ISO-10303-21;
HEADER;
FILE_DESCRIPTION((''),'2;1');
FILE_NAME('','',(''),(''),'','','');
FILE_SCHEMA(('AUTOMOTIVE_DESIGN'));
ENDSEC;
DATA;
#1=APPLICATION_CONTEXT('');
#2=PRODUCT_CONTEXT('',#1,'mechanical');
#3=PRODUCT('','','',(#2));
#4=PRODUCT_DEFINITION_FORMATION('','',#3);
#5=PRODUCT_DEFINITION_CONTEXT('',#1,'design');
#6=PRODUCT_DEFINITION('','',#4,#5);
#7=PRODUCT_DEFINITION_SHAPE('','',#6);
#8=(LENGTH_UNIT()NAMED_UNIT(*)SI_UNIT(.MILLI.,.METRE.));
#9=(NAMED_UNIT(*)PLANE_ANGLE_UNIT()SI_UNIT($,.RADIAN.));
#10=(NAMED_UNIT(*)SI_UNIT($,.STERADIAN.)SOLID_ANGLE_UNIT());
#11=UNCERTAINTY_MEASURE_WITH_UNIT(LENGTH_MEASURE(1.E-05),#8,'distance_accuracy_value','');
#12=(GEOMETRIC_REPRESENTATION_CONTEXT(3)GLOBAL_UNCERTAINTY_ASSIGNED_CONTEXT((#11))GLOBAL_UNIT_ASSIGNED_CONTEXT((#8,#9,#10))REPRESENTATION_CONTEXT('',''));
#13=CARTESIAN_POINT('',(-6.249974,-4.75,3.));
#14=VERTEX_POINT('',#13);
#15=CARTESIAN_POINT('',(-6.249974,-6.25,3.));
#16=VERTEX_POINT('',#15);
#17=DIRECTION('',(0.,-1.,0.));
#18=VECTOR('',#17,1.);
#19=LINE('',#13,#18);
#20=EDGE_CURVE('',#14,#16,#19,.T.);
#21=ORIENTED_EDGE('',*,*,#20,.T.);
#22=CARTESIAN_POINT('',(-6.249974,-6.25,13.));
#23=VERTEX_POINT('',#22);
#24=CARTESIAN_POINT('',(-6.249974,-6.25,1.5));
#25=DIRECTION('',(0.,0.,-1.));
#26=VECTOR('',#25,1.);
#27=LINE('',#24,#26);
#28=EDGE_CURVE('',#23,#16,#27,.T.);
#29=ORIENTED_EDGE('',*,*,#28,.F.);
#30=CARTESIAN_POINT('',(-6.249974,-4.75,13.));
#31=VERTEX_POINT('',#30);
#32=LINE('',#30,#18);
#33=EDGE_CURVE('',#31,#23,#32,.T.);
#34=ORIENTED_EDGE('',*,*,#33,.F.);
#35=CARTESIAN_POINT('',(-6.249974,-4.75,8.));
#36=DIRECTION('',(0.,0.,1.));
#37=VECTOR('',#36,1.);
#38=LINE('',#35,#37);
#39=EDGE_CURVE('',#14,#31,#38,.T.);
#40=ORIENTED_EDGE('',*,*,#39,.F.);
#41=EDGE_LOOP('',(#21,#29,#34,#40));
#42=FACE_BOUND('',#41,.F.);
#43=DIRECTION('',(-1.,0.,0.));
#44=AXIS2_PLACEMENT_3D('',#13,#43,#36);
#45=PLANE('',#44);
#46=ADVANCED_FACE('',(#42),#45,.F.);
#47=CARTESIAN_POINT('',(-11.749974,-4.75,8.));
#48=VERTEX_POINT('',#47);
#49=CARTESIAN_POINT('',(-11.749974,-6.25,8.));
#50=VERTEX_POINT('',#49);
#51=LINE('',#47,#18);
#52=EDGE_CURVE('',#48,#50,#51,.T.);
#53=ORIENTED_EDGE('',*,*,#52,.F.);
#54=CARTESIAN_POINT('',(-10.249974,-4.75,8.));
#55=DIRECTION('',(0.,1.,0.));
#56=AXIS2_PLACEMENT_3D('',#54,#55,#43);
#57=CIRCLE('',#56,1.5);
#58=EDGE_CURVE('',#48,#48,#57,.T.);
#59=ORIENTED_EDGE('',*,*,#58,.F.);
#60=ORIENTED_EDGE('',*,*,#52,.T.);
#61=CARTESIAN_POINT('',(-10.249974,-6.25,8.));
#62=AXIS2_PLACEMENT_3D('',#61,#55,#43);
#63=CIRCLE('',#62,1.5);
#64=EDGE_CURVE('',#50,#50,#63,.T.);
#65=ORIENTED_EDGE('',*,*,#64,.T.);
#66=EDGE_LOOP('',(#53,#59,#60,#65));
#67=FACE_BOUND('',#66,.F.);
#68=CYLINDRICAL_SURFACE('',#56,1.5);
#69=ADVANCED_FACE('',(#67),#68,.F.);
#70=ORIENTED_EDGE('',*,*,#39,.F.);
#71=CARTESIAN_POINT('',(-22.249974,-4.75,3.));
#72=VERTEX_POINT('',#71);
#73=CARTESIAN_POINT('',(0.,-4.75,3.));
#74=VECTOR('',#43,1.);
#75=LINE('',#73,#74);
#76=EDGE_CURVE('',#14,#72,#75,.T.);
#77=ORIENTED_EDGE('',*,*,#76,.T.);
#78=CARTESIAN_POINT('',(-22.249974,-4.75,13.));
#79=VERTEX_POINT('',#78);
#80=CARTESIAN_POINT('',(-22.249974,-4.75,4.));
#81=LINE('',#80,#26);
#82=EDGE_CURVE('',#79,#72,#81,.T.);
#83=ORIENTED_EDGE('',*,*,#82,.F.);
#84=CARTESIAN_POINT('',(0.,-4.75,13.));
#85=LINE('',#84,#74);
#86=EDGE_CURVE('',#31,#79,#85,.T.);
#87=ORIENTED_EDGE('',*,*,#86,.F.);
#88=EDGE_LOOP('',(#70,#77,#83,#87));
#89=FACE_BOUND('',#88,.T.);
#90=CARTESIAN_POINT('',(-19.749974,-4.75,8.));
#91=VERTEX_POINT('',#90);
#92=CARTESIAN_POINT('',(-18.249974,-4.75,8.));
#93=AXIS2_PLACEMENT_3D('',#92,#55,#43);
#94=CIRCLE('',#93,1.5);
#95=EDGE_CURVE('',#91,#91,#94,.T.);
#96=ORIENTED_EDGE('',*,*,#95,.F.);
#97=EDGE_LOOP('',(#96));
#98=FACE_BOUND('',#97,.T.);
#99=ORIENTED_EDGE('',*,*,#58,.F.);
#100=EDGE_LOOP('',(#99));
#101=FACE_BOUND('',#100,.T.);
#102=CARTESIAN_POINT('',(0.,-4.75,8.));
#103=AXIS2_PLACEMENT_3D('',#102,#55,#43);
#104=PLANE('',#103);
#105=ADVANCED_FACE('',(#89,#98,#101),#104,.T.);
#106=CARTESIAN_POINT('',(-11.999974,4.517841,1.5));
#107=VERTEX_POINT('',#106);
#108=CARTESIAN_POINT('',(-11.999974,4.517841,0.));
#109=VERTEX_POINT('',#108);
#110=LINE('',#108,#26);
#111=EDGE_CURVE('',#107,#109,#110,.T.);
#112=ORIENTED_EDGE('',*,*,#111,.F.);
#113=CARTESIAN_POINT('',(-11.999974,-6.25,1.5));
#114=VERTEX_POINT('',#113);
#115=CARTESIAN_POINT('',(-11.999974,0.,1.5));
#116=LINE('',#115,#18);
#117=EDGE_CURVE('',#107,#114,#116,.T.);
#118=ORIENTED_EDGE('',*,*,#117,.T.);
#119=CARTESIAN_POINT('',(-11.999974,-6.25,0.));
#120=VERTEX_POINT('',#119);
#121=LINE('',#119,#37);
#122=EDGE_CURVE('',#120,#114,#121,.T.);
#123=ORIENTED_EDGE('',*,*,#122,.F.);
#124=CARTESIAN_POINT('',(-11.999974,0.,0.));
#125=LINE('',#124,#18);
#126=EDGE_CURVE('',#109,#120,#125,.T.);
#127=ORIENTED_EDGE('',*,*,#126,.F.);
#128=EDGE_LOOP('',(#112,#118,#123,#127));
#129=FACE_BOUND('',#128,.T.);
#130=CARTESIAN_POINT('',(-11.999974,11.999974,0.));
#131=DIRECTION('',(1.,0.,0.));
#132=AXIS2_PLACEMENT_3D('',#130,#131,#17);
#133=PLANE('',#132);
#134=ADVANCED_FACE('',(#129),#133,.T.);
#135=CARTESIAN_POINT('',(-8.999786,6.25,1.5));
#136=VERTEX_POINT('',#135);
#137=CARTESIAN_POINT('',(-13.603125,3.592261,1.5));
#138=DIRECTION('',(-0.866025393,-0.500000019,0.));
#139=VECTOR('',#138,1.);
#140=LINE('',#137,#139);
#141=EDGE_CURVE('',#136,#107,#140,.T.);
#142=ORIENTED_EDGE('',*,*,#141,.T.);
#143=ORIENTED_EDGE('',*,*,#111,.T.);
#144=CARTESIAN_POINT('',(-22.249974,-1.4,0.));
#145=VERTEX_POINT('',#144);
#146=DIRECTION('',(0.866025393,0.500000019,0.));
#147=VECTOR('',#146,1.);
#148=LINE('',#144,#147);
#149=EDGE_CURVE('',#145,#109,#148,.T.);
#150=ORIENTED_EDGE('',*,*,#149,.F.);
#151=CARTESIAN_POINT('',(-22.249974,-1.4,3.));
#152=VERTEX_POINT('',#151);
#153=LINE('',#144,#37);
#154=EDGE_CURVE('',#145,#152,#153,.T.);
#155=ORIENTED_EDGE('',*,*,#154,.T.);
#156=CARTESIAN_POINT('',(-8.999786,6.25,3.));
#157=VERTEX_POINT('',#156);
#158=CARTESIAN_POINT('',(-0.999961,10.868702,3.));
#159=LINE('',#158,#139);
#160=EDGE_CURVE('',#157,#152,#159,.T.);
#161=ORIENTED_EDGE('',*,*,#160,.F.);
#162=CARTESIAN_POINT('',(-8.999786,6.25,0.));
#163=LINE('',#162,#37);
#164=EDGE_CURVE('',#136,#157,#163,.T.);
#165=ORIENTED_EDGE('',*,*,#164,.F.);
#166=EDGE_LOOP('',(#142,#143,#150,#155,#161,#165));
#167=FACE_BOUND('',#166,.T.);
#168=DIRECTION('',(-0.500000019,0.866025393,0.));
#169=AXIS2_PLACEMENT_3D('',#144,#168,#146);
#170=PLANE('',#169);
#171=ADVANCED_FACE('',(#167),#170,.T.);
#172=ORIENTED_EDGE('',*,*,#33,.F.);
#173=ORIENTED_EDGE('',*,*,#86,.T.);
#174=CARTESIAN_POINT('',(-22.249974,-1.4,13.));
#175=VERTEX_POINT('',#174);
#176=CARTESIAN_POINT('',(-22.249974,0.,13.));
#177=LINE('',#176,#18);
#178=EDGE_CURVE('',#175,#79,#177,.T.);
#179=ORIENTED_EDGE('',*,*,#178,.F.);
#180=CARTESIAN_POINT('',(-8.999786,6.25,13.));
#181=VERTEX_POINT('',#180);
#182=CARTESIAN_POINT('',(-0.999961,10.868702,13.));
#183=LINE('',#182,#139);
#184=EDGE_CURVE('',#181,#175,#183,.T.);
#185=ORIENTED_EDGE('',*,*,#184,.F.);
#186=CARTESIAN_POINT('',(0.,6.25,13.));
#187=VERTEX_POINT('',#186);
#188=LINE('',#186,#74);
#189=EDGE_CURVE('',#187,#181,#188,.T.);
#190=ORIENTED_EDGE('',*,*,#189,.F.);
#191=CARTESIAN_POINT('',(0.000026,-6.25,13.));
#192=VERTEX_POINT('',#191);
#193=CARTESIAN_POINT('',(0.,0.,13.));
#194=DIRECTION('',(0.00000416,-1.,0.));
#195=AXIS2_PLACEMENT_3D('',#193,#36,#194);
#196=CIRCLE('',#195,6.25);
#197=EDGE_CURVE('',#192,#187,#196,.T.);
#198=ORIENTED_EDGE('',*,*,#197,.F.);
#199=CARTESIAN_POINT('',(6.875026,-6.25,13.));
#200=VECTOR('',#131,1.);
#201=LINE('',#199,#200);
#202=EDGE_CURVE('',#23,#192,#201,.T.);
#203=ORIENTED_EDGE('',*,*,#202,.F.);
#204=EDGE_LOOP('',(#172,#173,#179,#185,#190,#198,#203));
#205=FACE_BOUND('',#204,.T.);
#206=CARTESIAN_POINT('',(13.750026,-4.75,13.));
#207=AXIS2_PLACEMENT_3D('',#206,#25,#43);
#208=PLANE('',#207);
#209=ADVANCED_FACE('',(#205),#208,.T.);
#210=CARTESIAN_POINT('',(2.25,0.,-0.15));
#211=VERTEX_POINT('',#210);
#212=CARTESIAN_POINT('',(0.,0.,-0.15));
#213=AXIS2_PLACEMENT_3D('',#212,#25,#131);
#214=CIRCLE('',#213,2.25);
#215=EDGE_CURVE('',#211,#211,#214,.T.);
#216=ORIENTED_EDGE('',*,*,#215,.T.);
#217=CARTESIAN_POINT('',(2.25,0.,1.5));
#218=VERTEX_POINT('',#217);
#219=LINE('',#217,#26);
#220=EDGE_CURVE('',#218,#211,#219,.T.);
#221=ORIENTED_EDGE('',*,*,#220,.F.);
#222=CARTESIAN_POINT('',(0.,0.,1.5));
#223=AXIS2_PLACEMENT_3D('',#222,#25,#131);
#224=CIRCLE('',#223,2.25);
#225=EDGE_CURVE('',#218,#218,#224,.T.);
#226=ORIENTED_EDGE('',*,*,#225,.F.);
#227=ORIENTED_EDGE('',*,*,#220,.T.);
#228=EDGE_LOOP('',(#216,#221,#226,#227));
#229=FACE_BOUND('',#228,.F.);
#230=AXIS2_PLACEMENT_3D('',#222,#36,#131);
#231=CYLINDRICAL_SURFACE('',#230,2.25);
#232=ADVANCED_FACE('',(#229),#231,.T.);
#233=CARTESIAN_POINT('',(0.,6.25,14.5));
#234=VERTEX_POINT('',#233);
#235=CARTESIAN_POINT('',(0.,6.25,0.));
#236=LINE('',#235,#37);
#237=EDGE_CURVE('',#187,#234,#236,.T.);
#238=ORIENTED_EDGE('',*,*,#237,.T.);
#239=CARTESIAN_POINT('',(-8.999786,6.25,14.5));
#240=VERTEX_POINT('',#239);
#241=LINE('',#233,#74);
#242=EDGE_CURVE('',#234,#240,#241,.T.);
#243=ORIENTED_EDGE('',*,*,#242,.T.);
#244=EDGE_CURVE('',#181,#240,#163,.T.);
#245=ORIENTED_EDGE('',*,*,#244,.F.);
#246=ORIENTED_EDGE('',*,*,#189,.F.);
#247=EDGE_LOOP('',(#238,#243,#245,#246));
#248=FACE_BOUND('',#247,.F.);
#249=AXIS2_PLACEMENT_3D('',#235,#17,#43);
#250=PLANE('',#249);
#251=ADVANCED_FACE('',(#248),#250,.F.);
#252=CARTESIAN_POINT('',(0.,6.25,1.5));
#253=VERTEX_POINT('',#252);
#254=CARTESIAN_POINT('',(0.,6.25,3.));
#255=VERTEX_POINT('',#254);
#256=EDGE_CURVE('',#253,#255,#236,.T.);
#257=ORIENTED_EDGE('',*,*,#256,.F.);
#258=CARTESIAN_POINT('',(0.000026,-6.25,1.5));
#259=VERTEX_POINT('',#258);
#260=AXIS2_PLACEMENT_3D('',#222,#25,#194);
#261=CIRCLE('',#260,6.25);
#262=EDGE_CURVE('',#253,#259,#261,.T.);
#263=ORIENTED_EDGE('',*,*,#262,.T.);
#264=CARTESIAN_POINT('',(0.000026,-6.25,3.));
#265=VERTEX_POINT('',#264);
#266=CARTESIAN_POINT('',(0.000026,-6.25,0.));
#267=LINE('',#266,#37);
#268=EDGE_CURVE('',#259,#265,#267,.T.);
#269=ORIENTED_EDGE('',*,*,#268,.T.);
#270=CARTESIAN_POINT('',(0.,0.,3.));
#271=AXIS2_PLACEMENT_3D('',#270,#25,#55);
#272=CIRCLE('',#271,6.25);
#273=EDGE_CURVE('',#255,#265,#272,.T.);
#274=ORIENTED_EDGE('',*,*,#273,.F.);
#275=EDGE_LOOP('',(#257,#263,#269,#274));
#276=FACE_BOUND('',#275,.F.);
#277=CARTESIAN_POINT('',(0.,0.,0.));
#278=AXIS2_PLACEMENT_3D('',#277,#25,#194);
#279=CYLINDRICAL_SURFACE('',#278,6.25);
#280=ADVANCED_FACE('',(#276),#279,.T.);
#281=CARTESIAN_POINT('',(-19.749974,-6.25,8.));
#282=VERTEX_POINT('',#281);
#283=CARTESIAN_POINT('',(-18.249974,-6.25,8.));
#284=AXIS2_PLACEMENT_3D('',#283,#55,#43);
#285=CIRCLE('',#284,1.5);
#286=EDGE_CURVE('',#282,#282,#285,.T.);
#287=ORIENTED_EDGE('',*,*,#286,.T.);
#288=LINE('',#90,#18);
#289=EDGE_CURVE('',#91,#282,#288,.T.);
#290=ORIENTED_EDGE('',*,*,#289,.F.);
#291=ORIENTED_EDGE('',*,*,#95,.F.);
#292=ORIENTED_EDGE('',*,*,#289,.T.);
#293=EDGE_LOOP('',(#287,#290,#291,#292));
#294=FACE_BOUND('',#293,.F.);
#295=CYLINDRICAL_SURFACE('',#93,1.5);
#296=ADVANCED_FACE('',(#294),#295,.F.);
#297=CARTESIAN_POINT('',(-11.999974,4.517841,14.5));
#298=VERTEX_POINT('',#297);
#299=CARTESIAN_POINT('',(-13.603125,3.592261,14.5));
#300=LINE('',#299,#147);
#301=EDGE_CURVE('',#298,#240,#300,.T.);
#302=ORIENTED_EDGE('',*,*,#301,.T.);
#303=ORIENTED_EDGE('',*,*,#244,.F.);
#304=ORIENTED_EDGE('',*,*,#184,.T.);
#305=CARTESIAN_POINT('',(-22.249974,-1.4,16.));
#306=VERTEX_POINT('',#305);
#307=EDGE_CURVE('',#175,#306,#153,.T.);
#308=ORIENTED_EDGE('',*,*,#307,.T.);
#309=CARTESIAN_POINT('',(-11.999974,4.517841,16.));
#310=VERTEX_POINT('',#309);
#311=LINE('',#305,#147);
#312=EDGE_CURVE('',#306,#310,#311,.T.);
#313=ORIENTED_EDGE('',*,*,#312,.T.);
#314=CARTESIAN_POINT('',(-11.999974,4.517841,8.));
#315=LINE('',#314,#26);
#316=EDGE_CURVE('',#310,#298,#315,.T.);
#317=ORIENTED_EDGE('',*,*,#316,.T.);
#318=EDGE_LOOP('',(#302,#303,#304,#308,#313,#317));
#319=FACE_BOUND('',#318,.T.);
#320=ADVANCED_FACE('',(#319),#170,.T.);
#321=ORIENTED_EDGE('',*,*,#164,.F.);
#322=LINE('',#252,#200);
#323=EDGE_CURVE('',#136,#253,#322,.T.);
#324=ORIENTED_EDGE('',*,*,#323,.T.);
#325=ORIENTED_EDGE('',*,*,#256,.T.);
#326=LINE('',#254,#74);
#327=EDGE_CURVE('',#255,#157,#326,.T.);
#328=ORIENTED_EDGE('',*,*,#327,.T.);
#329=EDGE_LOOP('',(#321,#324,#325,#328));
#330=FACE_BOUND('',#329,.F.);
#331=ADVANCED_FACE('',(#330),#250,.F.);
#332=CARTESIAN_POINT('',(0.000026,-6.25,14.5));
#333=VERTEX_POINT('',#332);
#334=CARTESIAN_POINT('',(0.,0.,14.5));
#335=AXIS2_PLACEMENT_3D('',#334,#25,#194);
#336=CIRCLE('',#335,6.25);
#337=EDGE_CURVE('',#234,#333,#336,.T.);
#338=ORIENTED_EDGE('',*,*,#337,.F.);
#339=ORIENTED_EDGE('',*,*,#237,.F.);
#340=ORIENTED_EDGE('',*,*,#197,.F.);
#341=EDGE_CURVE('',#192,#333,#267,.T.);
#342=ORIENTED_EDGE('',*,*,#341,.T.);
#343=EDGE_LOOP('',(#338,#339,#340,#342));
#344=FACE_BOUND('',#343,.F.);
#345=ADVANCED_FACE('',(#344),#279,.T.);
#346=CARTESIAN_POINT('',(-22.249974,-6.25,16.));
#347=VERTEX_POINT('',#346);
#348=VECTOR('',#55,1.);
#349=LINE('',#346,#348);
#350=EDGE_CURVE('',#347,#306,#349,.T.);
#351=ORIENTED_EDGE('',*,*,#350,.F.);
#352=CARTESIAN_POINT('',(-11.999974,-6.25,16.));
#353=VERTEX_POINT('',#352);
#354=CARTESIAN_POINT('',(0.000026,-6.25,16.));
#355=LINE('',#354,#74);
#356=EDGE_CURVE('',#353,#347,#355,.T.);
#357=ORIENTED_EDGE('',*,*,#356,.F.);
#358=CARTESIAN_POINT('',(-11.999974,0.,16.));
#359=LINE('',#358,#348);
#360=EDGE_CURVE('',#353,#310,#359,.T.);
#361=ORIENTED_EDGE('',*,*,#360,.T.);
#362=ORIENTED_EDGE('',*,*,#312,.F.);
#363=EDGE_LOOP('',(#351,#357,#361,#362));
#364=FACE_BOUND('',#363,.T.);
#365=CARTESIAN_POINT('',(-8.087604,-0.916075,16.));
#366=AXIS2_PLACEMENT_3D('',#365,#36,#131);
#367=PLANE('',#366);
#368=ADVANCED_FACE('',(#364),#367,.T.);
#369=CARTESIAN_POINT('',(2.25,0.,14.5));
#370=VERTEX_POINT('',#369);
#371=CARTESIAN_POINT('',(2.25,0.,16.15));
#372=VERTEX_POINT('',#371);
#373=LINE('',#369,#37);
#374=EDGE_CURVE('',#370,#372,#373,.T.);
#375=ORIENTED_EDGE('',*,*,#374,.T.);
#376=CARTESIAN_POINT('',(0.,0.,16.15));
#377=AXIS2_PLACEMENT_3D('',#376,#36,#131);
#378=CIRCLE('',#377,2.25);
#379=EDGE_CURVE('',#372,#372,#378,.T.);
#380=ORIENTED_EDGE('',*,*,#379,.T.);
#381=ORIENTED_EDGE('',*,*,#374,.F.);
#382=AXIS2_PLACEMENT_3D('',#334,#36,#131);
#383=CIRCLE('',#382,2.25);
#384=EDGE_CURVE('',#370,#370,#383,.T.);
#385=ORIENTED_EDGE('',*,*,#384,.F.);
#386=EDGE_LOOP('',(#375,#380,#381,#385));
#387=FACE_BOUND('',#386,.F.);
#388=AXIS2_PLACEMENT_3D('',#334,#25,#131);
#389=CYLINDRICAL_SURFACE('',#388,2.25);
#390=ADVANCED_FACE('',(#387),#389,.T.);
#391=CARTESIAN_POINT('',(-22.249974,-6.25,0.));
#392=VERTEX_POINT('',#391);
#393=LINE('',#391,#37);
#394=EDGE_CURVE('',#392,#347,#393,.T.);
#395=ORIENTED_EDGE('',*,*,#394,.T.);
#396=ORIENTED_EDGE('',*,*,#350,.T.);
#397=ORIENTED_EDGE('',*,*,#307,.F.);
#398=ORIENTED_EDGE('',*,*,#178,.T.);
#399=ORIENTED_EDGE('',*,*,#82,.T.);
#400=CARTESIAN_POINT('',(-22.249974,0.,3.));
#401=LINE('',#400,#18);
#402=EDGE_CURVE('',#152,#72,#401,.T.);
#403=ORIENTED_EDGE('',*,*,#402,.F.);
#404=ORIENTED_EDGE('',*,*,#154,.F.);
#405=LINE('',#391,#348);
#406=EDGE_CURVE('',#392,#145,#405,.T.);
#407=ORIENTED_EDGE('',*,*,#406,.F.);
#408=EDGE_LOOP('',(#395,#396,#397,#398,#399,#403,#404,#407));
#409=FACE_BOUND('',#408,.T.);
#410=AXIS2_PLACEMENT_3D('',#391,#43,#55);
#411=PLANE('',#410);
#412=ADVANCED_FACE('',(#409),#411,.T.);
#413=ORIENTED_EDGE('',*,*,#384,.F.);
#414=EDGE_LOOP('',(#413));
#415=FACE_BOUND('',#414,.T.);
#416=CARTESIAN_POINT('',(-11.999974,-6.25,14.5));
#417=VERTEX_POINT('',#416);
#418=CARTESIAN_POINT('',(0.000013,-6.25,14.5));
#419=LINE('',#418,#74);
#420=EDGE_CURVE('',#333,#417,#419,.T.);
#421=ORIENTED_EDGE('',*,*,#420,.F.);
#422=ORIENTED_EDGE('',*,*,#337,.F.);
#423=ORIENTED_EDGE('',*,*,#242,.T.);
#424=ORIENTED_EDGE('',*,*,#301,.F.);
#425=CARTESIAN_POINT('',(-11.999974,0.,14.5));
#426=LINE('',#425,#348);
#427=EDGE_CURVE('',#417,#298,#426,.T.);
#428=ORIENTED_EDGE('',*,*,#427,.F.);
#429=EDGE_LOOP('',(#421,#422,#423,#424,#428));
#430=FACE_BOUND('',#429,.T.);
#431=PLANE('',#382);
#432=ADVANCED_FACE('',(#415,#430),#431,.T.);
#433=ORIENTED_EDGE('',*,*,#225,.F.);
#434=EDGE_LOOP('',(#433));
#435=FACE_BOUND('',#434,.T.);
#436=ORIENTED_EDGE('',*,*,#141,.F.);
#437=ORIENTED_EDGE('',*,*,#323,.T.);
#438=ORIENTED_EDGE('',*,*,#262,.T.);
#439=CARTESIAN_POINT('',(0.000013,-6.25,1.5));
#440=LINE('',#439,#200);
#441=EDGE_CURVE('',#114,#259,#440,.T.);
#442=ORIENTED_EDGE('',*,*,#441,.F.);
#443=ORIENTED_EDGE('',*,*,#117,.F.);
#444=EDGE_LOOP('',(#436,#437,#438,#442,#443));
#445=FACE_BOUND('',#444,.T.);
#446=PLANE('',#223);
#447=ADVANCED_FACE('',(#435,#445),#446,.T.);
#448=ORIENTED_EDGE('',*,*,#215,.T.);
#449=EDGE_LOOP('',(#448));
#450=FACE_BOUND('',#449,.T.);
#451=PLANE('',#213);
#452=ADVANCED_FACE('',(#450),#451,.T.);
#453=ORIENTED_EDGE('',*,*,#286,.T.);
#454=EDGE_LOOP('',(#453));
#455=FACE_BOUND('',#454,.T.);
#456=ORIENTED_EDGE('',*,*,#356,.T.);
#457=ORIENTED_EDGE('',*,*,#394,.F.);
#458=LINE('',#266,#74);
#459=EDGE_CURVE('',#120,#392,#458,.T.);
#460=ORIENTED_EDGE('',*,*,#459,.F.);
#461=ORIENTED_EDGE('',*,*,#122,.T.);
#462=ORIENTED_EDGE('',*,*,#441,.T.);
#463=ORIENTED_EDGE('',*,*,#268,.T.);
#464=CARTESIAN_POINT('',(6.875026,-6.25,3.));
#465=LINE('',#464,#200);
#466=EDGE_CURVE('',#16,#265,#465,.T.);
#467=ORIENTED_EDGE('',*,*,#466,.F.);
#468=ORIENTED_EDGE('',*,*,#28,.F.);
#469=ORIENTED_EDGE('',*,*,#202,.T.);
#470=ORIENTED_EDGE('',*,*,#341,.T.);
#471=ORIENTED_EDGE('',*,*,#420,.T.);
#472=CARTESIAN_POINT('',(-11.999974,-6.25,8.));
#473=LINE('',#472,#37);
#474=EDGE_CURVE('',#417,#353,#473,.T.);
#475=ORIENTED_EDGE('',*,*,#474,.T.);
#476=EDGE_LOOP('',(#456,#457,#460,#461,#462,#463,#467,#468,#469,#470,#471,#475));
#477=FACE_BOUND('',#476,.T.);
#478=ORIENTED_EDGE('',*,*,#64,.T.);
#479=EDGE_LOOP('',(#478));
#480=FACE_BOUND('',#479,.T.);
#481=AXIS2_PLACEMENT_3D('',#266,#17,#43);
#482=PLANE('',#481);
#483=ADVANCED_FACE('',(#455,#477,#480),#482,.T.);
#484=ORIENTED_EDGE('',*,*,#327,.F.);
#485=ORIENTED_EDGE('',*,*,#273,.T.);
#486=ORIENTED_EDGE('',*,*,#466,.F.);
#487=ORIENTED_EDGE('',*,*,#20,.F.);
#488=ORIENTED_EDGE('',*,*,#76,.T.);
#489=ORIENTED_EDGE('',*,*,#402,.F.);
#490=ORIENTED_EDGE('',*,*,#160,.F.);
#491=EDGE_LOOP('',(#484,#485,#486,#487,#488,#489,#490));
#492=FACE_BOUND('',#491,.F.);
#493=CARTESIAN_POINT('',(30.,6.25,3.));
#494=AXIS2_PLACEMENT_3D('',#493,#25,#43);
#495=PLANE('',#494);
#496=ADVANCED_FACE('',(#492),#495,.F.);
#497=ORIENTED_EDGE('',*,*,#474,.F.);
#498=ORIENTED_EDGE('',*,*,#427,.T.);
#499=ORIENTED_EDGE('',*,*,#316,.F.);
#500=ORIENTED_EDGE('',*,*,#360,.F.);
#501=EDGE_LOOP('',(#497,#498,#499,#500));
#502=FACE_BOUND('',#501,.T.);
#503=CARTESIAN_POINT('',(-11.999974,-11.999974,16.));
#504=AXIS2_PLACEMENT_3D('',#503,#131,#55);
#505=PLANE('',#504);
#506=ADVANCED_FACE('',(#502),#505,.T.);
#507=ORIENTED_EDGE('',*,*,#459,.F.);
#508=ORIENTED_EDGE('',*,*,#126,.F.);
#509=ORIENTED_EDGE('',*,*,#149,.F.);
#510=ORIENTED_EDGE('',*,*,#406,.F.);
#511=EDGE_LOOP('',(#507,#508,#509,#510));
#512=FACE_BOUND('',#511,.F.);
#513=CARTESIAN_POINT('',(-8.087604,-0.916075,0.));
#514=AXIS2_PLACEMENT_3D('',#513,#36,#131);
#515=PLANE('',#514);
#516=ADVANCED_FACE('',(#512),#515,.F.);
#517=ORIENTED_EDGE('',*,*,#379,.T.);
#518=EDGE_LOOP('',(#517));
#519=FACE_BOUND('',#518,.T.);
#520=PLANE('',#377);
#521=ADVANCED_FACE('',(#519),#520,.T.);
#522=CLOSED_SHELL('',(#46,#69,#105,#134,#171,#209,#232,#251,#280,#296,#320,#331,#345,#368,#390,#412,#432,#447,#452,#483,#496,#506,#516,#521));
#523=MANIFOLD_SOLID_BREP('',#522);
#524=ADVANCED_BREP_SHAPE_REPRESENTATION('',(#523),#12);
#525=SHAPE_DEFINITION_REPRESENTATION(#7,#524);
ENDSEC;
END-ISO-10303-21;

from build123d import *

# Parameters (mm, degrees)
PAD_DEPTH       = 16
SKETCH001_W     = 23.999948
SKETCH001_H     = 23.999948
POCKET_DEPTH    = 1.5
SKETCH002_W     = 23.999948
SKETCH002_H     = 23.999948
POCKET001_DEPTH = 1.5
SKETCH003_R     = 2.25
PAD001_DEPTH    = 1.65
SKETCH004_R     = 2.25
PAD002_DEPTH    = 1.65
SKETCH005_W     = 60
SKETCH005_H     = 10
POCKET002_DEPTH = 11
SKETCH006_R     = 1.5
SKETCH006_W     = 20
SKETCH006_H     = 10
POCKET003_DEPTH = 5


with BuildPart() as part:
    # Sketch → Pad (new body)
    with BuildSketch(Plane.XY):
        with BuildLine():
            ThreePointArc((2.6e-05, -6.25), (6.25, 1.3e-05), (0, 6.25))
            Line((0, 6.25), (-8.999786, 6.25))
            Line((-22.249974, -1.4), (-8.999786, 6.25))
            Line((-22.249974, -6.25), (-22.249974, -1.4))
            Line((2.6e-05, -6.25), (-22.249974, -6.25))
        make_face()
    extrude(amount=PAD_DEPTH)

    # Sketch001 → Pocket (cut)
    with BuildSketch(Plane.XY.offset(16)):
        Rectangle(SKETCH001_W, SKETCH001_H)
    extrude(amount=-POCKET_DEPTH, mode=Mode.SUBTRACT)

    # Sketch002 → Pocket001 (cut)
    with BuildSketch(Plane(origin=(0, 0, 0), x_dir=(1, 0, 0), z_dir=(0, 0, -1))):
        Rectangle(SKETCH002_W, SKETCH002_H)
    extrude(amount=-POCKET001_DEPTH, mode=Mode.SUBTRACT)

    # Sketch003 → Pad001 (new body)
    with BuildSketch(Plane.XY.offset(14.5)):
        Circle(SKETCH003_R)
    extrude(amount=PAD001_DEPTH)

    # Sketch004 → Pad002 (new body)
    with BuildSketch(Plane(origin=(0, 0, 1.5), x_dir=(1, 0, 0), z_dir=(0, 0, -1))):
        Circle(SKETCH004_R)
    extrude(amount=PAD002_DEPTH)

    # Sketch005 → Pocket002 (cut)
    with BuildSketch(Plane(origin=(0, 6.25, 0), x_dir=(-1, 0, 0), z_dir=(0, 1, 0))):
        with Locations((0, 8)):
            Rectangle(SKETCH005_W, SKETCH005_H)
    extrude(amount=-POCKET002_DEPTH, mode=Mode.SUBTRACT)

    # Sketch006 → Pocket003 (cut)
    with BuildSketch(Plane(origin=(0, -4.75, 0), x_dir=(-1, 0, 0), z_dir=(0, 1, 0))):
        with Locations((10.249974, 8)):
            Circle(SKETCH006_R)
        with Locations((18.249974, 8)):
            Circle(SKETCH006_R)
        with Locations((-3.750026, 8)):
            Rectangle(SKETCH006_W, SKETCH006_H)
    extrude(amount=-POCKET003_DEPTH, mode=Mode.SUBTRACT)


solid = part.part
